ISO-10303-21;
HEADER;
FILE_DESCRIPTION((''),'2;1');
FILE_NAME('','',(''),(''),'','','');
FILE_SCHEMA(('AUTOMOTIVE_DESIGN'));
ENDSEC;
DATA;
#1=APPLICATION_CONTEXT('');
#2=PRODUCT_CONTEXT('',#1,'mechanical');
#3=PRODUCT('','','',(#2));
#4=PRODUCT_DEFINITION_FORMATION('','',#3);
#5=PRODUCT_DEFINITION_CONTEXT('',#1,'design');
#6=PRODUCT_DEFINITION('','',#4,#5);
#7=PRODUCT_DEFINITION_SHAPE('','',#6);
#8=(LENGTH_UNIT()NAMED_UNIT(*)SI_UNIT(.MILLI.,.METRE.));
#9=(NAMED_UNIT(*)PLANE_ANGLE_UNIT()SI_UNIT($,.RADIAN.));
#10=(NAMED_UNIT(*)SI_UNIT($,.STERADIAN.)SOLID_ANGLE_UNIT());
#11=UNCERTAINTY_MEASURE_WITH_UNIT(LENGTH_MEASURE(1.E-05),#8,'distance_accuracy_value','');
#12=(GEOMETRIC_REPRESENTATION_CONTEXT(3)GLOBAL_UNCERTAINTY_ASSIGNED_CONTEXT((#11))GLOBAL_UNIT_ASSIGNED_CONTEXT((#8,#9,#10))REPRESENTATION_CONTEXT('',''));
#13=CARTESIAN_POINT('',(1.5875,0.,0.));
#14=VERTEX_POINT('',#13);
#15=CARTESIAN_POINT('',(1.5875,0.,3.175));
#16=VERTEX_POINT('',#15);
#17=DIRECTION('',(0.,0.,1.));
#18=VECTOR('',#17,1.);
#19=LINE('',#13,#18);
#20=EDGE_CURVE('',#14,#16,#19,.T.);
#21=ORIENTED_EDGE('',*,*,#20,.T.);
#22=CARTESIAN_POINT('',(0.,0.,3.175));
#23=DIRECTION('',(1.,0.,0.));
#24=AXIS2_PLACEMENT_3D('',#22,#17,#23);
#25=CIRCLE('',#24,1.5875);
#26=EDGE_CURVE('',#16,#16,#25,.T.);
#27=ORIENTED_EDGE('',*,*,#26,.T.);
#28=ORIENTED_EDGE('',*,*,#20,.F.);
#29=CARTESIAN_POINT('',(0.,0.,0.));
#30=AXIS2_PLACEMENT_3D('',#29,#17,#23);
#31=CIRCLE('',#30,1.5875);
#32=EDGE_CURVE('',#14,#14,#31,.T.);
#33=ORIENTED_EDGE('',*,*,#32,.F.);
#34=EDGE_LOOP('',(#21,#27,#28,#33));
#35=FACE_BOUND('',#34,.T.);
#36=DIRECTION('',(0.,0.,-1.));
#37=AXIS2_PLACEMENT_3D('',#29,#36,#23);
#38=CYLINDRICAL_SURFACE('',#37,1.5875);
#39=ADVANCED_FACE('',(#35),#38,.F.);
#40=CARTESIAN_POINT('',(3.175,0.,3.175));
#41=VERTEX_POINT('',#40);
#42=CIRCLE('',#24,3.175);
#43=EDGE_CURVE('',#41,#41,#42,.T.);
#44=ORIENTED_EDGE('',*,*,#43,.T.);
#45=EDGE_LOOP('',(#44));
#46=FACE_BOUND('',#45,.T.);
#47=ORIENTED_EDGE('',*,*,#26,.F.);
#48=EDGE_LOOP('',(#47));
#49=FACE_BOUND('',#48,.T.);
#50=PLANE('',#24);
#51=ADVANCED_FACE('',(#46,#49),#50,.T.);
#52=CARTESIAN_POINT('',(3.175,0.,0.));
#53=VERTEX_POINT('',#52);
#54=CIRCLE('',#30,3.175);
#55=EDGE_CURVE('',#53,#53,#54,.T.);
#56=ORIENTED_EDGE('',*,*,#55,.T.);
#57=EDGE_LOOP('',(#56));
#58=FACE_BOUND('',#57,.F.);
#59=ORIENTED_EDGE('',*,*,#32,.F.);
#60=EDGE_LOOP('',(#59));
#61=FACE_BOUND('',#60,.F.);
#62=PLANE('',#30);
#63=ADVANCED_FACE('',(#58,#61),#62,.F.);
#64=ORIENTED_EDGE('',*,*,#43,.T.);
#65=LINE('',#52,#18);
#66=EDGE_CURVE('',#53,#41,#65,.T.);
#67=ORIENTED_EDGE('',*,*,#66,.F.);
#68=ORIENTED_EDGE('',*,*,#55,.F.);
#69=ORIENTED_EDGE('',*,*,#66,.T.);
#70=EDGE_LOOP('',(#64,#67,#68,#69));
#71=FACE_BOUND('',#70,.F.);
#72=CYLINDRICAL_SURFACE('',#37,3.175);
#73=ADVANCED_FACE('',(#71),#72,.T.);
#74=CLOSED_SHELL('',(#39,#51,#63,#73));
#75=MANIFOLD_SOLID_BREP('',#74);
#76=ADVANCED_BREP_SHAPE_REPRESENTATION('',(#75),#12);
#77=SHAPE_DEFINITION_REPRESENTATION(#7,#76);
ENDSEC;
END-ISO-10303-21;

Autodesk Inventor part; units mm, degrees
ref_plane "YZ Plane" through (0, 0, 0) normal (1, 0, 0) x (0, 1, 0)
ref_plane "XZ Plane" through (0, 0, 0) normal (0, 1, 0) x (-1, 0, 0)
ref_plane "XY Plane" through (0, 0, 0) normal (0, 0, 1) x (1, 0, 0)
sketch "Sketch1" plane through (0, 0, 0) normal (0, 0, 1) x (1, 0, 0)
  circle A0 centre (0, 0) radius 1.5875
  circle A1 centre (0, 0) radius 3.175
  dimension "d0" = 3.175
  dimension "d1" = 6.35
extrude "Extrusion1" add sketch "Sketch1" along normal blind 3.175
properties part number "SleeveBearing.125inch" material "Bronze, Cast"
